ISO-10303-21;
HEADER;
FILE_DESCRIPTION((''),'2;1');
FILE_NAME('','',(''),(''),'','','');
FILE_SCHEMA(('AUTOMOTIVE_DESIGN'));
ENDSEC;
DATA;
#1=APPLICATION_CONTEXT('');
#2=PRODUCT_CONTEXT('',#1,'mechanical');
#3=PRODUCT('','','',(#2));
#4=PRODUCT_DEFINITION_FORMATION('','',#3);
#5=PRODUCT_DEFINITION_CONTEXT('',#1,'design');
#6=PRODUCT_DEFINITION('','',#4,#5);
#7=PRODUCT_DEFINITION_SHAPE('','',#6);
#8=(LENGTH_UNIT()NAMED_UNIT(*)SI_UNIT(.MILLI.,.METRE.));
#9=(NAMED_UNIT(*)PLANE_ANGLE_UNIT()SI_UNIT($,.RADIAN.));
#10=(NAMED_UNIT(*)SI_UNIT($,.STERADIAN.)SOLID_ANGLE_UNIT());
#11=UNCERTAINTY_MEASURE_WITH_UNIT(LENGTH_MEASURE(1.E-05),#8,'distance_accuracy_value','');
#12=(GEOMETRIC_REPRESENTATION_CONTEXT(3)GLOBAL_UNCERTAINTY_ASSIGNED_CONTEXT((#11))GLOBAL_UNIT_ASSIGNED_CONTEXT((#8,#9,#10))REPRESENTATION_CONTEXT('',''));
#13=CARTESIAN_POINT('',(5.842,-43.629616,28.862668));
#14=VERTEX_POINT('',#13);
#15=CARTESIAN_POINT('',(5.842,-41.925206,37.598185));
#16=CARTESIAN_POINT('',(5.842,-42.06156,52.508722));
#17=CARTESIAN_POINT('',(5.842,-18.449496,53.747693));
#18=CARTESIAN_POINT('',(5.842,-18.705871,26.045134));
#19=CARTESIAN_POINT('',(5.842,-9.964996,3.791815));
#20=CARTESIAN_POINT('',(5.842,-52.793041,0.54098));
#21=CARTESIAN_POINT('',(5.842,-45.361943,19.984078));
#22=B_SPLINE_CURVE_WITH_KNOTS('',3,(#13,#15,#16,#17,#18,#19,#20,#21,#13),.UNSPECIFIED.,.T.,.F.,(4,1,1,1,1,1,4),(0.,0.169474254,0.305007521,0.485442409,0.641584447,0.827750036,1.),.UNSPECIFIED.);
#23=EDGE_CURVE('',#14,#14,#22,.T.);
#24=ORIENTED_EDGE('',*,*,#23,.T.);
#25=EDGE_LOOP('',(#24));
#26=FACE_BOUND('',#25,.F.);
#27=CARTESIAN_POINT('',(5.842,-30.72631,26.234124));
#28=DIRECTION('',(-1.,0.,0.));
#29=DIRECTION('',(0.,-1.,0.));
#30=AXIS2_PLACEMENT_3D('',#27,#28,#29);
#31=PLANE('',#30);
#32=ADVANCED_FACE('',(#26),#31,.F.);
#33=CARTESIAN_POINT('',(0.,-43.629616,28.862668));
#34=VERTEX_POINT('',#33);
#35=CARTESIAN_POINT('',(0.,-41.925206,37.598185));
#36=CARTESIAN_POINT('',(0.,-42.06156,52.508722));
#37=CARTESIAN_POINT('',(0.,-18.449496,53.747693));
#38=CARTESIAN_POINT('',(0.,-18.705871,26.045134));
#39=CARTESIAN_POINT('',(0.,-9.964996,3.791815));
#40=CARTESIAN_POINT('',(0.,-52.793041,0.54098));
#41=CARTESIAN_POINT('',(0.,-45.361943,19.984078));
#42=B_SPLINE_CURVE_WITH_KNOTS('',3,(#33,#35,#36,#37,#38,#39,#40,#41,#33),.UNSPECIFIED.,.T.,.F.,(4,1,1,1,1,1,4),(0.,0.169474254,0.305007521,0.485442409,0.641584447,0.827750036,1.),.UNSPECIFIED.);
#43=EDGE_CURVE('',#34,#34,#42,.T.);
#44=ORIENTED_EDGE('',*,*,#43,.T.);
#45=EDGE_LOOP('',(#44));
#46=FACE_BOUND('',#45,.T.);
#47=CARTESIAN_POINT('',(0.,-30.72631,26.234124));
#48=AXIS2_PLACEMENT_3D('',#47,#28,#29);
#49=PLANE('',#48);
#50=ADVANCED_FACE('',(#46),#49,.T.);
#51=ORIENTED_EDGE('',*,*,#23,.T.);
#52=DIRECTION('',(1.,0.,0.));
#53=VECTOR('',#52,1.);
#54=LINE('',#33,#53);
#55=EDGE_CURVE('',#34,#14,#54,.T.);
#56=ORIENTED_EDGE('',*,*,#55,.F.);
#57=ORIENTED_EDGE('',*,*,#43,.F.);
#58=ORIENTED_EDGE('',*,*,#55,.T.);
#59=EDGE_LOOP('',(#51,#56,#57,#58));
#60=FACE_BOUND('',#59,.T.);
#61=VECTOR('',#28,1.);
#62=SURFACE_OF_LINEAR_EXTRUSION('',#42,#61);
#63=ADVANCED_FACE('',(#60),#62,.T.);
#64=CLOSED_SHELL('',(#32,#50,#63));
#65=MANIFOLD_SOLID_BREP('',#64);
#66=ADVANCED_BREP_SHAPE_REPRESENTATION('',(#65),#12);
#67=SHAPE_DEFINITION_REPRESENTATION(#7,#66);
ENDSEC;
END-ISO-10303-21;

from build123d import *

# Parameters (mm, degrees)
F1_DEPTH = 5.842


with BuildPart() as f1:
    # F0 (on Right) → F1 (new body)
    with BuildSketch(Plane.YZ):
        with BuildLine():
            add(Edge.make_bspline(
                [(-43.6296164989, 28.8626682013), (-41.9252056654, 37.5981854247), (-42.0615603135, 52.5087217183), (-18.4494959725, 53.7476932405), (-18.7058706496, 26.0451343634), (-9.9649961532, 3.7918152371), (-52.7930408301, 0.540980196), (-45.3619427813, 19.98407756), (-43.6296164989, 28.8626682013)],
                knots=[0, 0, 0, 0, 0.1694742541, 0.3050075211, 0.4854424089, 0.6415844469, 0.827750036, 1, 1, 1, 1], degree=3))
        make_face()
    extrude(amount=F1_DEPTH)


solid = f1.part
